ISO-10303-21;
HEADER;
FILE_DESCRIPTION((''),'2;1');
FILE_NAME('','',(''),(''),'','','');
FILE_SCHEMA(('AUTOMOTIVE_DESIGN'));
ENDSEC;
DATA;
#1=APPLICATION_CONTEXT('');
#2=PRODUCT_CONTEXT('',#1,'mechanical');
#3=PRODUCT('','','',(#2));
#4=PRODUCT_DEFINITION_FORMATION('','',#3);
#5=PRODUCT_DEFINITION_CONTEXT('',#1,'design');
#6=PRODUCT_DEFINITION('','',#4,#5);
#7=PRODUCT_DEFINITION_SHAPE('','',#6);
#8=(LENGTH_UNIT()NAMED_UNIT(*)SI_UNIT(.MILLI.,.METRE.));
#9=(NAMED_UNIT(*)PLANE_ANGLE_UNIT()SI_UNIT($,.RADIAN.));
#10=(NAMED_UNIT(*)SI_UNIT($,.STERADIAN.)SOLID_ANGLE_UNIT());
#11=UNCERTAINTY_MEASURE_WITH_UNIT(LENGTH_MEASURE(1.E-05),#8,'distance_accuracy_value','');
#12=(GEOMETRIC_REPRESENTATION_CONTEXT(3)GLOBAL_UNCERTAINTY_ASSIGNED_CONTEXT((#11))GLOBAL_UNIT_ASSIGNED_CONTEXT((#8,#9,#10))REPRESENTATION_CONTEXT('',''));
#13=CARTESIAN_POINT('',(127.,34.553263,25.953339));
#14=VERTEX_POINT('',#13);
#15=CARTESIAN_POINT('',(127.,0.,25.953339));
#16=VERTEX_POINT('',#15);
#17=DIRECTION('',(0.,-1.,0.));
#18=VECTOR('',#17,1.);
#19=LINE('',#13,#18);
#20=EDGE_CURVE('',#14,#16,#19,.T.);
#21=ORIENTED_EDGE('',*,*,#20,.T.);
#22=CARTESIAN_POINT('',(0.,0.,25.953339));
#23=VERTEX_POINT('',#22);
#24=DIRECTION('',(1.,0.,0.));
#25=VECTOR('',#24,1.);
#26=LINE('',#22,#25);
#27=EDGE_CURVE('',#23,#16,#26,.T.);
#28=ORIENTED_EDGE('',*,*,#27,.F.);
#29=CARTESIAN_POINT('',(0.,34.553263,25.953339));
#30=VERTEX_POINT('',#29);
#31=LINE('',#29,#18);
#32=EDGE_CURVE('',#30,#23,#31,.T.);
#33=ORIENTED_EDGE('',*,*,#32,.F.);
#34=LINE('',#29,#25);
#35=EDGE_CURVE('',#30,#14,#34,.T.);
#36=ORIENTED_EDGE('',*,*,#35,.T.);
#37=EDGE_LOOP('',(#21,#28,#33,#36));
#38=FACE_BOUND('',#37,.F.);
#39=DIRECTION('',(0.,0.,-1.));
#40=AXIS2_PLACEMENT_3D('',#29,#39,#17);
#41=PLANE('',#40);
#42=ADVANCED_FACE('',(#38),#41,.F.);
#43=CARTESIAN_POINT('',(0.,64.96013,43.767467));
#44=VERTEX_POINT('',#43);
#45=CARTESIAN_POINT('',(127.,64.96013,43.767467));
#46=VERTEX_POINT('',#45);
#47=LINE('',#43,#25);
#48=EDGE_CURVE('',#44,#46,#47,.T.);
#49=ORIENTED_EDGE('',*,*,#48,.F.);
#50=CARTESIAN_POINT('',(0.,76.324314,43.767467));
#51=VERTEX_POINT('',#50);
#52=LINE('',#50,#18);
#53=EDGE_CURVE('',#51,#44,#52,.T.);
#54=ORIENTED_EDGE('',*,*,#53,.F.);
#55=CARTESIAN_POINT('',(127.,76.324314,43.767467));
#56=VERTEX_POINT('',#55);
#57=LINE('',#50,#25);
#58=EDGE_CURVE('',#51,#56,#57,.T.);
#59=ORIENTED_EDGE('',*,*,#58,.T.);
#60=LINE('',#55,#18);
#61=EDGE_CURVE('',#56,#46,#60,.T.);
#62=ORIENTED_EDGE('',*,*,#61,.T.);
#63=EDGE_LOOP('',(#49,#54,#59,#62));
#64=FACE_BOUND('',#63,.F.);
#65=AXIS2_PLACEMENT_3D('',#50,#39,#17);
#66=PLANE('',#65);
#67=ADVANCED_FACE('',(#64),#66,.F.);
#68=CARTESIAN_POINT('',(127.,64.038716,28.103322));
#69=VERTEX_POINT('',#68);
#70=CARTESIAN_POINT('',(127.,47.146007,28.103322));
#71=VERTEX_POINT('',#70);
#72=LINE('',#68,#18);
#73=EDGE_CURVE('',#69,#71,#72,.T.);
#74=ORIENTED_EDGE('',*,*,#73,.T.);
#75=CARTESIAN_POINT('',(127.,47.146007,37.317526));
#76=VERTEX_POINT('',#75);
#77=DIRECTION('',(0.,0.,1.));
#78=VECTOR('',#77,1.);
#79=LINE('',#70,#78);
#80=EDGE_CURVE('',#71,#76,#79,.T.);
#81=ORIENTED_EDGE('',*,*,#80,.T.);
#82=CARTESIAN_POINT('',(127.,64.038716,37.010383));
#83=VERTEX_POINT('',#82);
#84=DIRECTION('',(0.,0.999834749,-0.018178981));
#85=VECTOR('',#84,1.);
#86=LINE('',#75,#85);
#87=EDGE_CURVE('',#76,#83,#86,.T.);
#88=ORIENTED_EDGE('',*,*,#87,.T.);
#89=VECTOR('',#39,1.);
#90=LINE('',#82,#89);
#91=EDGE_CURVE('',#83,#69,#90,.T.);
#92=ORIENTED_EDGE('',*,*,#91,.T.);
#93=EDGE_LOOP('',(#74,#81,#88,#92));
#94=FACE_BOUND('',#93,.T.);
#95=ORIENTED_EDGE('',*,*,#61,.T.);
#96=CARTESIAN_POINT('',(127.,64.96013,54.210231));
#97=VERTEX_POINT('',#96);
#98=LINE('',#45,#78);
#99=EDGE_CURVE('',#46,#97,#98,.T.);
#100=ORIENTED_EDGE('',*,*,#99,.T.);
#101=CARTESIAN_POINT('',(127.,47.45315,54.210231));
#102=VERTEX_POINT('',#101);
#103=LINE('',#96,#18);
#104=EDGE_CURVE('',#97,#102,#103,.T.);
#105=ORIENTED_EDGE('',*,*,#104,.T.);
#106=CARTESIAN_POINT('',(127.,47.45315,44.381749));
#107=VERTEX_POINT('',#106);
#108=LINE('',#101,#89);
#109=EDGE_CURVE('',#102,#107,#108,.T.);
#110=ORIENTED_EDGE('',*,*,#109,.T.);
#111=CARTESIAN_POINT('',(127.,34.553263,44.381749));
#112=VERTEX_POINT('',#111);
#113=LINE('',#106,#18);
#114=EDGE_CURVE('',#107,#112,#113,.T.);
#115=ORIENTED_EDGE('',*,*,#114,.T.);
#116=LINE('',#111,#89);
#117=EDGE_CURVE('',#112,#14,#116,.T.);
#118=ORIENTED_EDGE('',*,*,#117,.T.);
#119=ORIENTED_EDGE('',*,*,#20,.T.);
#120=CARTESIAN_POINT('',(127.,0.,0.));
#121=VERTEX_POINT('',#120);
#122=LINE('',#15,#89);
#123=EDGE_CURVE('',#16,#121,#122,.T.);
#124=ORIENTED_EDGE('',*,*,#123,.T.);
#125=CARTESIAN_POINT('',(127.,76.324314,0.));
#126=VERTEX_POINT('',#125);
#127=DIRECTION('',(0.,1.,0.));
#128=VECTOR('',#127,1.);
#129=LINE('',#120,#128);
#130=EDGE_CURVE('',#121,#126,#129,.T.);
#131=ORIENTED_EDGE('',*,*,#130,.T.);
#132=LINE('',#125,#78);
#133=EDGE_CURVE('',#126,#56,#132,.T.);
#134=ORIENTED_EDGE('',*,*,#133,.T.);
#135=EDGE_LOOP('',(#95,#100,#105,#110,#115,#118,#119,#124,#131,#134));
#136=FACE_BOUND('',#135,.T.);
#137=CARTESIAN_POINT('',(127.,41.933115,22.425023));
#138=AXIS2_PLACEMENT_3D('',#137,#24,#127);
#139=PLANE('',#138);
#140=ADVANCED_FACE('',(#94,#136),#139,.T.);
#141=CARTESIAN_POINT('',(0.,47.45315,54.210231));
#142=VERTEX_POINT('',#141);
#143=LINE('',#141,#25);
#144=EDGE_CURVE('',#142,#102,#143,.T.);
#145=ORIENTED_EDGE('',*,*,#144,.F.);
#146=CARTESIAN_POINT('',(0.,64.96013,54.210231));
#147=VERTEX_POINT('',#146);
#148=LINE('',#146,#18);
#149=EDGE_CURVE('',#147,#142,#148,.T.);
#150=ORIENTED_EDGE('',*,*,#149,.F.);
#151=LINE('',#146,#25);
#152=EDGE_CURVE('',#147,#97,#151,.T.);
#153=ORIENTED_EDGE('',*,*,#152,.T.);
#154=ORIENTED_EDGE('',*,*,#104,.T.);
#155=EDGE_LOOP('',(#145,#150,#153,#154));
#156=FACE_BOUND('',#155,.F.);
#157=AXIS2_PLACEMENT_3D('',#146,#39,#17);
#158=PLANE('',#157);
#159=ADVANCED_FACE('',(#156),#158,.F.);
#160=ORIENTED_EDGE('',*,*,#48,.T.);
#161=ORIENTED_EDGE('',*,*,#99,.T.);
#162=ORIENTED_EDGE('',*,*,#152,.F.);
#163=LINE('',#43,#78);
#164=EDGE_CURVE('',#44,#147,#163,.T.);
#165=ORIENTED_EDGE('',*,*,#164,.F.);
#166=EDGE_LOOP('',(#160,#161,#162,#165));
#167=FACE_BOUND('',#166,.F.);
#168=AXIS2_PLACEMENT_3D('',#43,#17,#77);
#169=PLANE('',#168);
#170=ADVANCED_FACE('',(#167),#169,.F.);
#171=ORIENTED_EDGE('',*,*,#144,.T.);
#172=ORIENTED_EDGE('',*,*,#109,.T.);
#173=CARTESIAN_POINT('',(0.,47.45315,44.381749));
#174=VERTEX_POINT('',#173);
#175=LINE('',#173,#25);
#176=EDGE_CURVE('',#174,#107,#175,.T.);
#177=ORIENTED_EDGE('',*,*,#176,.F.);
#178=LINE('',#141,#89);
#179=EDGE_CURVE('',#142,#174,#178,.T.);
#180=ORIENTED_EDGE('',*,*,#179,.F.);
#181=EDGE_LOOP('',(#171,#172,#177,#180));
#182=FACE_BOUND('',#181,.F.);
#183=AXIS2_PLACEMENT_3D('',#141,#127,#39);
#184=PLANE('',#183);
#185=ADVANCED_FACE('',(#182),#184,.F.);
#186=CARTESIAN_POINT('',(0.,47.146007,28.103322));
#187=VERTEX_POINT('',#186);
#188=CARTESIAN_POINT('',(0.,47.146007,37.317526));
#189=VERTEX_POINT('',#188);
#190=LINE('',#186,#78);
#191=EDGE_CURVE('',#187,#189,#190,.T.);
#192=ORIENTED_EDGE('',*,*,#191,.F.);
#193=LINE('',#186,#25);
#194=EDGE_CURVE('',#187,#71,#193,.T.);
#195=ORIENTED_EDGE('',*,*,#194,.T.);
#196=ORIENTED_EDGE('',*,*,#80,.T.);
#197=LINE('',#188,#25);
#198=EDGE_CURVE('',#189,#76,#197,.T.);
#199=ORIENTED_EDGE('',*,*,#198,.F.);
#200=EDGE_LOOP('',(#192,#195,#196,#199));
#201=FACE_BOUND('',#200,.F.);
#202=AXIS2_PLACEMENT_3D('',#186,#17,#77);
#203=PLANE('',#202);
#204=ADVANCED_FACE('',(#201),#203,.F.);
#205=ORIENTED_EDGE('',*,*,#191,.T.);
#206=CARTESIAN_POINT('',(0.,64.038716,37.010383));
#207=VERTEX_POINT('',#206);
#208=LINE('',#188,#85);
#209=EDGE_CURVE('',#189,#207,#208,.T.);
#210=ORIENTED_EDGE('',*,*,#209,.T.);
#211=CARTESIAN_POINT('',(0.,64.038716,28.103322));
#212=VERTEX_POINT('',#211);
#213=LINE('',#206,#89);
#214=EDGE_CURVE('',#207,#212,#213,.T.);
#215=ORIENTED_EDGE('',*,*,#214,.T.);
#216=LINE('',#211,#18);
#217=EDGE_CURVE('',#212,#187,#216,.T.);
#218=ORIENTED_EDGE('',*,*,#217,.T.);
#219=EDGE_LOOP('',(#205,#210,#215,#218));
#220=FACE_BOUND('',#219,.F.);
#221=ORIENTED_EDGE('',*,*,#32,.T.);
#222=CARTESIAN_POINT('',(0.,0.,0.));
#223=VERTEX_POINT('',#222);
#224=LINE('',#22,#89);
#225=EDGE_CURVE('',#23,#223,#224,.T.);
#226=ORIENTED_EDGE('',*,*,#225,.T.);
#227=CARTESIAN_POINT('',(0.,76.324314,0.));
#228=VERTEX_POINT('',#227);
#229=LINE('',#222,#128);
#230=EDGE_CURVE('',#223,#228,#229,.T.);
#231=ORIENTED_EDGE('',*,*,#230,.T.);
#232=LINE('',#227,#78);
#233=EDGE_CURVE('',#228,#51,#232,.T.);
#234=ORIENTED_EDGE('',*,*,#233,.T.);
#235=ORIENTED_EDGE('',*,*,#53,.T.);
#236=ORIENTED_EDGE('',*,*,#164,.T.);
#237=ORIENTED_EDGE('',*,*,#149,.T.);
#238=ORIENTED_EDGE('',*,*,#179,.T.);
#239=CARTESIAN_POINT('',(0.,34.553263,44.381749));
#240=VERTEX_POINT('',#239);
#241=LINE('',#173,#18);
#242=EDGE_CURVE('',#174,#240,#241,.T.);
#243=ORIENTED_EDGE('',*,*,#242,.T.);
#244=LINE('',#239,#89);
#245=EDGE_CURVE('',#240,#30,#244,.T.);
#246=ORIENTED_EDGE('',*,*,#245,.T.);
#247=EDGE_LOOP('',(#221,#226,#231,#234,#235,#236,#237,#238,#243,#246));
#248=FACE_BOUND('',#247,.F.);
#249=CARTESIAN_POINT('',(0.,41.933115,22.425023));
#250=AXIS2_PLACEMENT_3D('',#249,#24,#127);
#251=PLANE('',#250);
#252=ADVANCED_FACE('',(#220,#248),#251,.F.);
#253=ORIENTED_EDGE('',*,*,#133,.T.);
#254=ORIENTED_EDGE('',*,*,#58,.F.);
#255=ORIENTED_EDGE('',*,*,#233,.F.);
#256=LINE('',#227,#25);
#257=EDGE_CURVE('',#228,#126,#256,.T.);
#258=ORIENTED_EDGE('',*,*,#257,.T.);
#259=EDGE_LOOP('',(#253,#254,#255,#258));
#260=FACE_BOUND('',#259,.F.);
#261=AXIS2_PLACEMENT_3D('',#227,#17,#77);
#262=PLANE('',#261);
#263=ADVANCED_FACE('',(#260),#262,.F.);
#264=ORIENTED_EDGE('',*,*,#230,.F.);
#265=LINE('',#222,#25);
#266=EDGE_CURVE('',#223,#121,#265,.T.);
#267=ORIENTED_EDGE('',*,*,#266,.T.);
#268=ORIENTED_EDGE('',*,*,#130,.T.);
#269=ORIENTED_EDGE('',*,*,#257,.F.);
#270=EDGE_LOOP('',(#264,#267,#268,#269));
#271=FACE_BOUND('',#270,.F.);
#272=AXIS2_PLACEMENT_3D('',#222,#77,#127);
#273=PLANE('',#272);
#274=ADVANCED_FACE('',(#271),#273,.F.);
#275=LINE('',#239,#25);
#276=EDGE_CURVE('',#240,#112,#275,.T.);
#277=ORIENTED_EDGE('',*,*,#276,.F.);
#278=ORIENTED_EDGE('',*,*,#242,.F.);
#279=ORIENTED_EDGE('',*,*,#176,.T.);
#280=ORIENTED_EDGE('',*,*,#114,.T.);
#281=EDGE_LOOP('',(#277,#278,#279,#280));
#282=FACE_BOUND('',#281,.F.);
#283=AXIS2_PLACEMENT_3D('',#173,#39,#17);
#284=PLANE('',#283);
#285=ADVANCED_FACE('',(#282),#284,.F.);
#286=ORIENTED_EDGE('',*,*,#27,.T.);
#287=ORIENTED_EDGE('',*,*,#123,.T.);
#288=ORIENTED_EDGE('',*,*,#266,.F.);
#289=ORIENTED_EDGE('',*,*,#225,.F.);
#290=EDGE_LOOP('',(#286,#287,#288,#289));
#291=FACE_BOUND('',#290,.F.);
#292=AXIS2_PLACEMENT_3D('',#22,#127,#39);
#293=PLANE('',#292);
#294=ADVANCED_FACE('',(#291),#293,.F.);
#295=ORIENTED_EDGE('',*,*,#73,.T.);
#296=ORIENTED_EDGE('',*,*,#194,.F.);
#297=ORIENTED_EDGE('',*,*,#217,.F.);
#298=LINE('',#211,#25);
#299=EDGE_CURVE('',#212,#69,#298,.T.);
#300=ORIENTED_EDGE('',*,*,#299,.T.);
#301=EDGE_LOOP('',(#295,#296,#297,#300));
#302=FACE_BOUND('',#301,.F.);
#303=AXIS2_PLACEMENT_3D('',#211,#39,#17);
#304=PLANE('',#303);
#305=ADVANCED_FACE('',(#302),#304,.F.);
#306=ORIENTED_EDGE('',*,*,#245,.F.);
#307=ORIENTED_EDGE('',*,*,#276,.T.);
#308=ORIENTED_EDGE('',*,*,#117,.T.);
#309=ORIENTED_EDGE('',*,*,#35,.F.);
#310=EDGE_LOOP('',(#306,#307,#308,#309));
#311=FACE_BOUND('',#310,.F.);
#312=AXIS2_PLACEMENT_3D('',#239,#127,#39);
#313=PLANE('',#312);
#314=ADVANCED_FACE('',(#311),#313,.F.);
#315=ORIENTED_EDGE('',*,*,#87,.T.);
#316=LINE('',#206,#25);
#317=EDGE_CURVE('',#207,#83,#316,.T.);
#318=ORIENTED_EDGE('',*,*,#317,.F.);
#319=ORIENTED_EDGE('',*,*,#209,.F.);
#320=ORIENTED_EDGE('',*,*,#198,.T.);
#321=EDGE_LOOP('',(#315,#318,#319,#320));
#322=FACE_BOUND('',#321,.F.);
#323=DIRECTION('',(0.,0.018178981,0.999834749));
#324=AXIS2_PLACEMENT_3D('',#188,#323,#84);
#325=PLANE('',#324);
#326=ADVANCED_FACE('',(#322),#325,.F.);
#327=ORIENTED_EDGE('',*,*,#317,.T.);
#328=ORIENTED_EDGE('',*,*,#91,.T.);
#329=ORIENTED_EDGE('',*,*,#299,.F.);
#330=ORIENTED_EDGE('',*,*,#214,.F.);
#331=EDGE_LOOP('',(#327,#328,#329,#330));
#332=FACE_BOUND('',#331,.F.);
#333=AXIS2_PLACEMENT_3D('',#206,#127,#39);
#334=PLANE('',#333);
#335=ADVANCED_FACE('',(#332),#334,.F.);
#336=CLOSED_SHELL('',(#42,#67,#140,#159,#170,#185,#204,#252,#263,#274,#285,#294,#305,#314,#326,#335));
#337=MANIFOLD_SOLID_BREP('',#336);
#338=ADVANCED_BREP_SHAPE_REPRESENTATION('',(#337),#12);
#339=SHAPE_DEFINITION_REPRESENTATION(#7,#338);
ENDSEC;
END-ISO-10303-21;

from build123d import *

# Parameters (mm, degrees)
F1_DEPTH = 127


with BuildPart() as f1:
    # F0 (on Right) → F1 (new body)
    with BuildSketch(Plane.YZ):
        Polygon((0, 25.953339), (0, 0), (76.324314, 0), (76.324314, 43.767467), (64.96013, 43.767467), (64.96013, 54.210231), (47.45315, 54.210231), (47.45315, 44.381749), (34.553263, 44.381749), (34.553263, 25.953339), align=None)
        Polygon((47.146007, 28.103322), (47.146007, 37.317526), (64.038716, 37.010383), (64.038716, 28.103322), align=None, mode=Mode.SUBTRACT)
    extrude(amount=F1_DEPTH)


solid = f1.part
